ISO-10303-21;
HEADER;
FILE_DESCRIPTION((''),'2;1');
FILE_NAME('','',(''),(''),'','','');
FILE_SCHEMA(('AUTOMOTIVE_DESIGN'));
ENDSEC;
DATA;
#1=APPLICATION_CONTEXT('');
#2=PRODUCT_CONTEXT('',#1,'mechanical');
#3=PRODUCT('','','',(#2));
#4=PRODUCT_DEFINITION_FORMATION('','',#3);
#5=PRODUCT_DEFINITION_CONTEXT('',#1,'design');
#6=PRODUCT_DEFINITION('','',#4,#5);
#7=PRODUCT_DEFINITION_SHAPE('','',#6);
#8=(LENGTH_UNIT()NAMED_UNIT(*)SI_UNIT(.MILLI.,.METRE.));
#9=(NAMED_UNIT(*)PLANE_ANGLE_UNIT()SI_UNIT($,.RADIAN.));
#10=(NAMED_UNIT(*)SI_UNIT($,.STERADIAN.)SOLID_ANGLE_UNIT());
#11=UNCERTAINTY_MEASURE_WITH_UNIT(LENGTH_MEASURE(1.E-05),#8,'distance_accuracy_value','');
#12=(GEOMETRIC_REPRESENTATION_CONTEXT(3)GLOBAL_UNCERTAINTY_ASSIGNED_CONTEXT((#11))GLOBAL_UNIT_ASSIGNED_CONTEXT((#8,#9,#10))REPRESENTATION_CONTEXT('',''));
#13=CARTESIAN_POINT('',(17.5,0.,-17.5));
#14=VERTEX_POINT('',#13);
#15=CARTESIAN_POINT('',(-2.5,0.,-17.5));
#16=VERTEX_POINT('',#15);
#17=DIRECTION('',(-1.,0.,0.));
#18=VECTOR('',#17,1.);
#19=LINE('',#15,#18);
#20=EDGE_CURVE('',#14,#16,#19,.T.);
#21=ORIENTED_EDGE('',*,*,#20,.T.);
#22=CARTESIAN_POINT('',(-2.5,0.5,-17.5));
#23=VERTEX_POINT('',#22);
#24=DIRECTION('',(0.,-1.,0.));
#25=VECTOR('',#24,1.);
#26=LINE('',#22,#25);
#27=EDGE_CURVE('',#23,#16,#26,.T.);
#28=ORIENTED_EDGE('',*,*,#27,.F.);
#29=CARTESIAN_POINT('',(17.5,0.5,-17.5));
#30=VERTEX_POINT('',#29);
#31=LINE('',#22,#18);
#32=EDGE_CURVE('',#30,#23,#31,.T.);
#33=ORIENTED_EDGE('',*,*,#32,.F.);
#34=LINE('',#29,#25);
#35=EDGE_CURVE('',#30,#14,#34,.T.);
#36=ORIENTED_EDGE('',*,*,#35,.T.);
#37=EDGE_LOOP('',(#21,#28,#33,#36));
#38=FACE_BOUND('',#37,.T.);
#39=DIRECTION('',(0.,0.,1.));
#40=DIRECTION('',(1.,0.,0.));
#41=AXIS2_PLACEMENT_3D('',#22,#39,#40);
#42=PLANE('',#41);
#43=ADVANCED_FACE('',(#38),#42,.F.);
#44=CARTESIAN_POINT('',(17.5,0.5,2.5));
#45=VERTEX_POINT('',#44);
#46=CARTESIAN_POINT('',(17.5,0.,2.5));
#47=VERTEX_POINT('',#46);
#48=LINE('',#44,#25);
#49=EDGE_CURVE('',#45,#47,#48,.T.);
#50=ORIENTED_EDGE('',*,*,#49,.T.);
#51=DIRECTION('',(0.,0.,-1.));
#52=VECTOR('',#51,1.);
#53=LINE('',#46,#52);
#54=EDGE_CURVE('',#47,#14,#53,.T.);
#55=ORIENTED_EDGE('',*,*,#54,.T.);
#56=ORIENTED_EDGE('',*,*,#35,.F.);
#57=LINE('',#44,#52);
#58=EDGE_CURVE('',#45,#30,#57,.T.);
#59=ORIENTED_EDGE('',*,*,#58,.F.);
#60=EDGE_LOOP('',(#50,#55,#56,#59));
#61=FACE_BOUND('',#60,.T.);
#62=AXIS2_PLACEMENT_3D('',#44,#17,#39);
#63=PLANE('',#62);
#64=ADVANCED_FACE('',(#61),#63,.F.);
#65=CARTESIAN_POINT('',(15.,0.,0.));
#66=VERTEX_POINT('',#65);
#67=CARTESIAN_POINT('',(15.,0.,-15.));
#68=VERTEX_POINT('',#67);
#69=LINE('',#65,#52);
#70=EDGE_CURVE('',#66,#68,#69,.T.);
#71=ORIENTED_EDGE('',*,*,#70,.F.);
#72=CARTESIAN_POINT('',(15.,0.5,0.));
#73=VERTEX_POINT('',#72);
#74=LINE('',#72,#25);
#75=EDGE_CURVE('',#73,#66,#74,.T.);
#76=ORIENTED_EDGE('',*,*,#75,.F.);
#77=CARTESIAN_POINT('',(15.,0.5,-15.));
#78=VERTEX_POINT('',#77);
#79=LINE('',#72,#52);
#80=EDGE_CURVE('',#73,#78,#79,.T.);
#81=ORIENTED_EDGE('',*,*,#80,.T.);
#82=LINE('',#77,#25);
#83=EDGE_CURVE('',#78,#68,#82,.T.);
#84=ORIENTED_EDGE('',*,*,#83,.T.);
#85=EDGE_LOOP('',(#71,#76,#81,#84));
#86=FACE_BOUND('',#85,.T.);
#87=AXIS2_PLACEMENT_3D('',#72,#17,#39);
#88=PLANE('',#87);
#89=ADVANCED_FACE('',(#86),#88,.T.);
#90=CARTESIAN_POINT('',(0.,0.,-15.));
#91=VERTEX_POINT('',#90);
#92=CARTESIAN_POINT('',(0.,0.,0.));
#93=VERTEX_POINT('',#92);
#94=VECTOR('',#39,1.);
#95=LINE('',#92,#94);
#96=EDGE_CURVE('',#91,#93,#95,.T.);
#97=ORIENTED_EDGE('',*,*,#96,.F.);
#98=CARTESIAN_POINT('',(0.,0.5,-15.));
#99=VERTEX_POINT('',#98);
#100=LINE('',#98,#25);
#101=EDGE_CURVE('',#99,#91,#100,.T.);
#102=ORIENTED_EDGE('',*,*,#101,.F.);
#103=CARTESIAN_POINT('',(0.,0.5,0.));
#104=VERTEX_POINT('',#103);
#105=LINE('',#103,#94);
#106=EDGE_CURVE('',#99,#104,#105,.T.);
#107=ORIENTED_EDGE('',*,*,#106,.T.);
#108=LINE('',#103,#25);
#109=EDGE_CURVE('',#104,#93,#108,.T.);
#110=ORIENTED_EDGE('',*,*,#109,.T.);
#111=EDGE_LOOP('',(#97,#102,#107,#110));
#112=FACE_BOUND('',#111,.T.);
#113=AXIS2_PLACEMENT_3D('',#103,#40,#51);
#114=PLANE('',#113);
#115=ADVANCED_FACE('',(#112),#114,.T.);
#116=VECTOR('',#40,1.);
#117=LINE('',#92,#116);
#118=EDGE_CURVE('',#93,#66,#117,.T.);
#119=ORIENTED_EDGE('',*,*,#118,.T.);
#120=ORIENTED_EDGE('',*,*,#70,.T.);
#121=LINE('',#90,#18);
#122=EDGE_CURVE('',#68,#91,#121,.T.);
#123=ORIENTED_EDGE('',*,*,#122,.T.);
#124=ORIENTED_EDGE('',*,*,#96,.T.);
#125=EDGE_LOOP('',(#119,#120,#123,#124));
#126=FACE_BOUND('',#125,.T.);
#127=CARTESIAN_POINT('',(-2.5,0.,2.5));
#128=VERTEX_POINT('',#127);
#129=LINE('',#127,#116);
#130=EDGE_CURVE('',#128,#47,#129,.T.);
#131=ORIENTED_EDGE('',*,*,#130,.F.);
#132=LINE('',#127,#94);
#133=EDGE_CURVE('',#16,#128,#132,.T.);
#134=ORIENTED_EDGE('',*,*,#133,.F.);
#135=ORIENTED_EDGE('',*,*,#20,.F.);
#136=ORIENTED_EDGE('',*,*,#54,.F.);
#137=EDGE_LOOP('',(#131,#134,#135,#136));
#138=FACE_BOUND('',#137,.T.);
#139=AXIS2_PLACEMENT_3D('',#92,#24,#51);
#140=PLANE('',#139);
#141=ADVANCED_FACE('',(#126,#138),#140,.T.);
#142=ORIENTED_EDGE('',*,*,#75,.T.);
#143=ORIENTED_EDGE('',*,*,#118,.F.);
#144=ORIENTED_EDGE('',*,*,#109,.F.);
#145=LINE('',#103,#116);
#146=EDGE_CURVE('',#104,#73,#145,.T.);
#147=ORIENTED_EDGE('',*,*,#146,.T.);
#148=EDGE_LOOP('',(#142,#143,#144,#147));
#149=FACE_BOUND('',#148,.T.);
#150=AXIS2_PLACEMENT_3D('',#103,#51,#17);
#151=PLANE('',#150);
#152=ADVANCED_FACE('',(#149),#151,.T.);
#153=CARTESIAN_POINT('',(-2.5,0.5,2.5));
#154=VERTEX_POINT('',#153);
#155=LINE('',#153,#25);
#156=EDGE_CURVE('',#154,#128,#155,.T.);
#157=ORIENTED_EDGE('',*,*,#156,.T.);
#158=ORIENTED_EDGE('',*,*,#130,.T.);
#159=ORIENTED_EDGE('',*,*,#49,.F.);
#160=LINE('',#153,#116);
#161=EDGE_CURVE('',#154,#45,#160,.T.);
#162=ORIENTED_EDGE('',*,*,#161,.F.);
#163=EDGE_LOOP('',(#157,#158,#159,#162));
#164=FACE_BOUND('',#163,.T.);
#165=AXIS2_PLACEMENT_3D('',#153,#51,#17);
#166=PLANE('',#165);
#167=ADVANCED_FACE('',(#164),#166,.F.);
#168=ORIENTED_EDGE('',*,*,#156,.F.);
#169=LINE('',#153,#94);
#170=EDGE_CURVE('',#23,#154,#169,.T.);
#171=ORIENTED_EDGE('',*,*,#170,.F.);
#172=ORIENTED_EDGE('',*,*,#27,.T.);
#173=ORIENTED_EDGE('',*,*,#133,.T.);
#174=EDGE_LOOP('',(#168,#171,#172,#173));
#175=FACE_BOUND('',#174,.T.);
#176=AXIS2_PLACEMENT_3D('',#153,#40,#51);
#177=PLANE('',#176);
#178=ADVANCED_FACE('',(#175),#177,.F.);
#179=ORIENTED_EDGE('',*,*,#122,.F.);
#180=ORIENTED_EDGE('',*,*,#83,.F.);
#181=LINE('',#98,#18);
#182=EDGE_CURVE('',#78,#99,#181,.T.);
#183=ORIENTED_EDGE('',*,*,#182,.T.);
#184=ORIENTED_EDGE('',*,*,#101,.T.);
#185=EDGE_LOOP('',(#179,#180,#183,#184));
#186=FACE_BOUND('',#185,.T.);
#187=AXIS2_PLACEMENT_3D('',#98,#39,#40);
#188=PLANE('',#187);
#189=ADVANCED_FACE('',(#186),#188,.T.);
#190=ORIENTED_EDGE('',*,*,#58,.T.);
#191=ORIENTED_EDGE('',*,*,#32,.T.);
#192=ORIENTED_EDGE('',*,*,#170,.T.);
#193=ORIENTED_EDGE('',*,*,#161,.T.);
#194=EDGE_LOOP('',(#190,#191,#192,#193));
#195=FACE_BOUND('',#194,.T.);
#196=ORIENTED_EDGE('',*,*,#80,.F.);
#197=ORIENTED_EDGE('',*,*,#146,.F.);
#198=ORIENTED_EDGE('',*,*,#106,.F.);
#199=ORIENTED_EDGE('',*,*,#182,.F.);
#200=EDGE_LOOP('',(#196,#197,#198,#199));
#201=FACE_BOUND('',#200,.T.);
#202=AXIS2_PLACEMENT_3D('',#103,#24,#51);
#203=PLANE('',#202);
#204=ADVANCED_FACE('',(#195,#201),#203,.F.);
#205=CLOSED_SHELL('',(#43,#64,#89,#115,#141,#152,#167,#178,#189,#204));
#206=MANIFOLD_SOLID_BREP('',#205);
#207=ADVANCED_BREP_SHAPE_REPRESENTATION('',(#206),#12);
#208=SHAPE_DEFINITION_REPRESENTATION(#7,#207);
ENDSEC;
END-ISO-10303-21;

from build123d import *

# Parameters (mm, degrees)
CROQUIS1_W              = 20
CROQUIS1_H              = 20
CROQUIS1_W_2            = 15
CROQUIS1_H_2            = 15
SALIENTE_EXTRUIR1_DEPTH = 0.5


with BuildPart() as part:
    # Croquis1 → Saliente-Extruir1 (new body)
    with BuildSketch(Plane(origin=(0, 0, 0), x_dir=(1, 0, 0), z_dir=(0, 1, 0))):
        with Locations((7.5, 7.5)):
            Rectangle(CROQUIS1_W, CROQUIS1_H)
        with Locations((7.5, 7.5)):
            Rectangle(CROQUIS1_W_2, CROQUIS1_H_2, mode=Mode.SUBTRACT)
    extrude(amount=SALIENTE_EXTRUIR1_DEPTH)


solid = part.part
